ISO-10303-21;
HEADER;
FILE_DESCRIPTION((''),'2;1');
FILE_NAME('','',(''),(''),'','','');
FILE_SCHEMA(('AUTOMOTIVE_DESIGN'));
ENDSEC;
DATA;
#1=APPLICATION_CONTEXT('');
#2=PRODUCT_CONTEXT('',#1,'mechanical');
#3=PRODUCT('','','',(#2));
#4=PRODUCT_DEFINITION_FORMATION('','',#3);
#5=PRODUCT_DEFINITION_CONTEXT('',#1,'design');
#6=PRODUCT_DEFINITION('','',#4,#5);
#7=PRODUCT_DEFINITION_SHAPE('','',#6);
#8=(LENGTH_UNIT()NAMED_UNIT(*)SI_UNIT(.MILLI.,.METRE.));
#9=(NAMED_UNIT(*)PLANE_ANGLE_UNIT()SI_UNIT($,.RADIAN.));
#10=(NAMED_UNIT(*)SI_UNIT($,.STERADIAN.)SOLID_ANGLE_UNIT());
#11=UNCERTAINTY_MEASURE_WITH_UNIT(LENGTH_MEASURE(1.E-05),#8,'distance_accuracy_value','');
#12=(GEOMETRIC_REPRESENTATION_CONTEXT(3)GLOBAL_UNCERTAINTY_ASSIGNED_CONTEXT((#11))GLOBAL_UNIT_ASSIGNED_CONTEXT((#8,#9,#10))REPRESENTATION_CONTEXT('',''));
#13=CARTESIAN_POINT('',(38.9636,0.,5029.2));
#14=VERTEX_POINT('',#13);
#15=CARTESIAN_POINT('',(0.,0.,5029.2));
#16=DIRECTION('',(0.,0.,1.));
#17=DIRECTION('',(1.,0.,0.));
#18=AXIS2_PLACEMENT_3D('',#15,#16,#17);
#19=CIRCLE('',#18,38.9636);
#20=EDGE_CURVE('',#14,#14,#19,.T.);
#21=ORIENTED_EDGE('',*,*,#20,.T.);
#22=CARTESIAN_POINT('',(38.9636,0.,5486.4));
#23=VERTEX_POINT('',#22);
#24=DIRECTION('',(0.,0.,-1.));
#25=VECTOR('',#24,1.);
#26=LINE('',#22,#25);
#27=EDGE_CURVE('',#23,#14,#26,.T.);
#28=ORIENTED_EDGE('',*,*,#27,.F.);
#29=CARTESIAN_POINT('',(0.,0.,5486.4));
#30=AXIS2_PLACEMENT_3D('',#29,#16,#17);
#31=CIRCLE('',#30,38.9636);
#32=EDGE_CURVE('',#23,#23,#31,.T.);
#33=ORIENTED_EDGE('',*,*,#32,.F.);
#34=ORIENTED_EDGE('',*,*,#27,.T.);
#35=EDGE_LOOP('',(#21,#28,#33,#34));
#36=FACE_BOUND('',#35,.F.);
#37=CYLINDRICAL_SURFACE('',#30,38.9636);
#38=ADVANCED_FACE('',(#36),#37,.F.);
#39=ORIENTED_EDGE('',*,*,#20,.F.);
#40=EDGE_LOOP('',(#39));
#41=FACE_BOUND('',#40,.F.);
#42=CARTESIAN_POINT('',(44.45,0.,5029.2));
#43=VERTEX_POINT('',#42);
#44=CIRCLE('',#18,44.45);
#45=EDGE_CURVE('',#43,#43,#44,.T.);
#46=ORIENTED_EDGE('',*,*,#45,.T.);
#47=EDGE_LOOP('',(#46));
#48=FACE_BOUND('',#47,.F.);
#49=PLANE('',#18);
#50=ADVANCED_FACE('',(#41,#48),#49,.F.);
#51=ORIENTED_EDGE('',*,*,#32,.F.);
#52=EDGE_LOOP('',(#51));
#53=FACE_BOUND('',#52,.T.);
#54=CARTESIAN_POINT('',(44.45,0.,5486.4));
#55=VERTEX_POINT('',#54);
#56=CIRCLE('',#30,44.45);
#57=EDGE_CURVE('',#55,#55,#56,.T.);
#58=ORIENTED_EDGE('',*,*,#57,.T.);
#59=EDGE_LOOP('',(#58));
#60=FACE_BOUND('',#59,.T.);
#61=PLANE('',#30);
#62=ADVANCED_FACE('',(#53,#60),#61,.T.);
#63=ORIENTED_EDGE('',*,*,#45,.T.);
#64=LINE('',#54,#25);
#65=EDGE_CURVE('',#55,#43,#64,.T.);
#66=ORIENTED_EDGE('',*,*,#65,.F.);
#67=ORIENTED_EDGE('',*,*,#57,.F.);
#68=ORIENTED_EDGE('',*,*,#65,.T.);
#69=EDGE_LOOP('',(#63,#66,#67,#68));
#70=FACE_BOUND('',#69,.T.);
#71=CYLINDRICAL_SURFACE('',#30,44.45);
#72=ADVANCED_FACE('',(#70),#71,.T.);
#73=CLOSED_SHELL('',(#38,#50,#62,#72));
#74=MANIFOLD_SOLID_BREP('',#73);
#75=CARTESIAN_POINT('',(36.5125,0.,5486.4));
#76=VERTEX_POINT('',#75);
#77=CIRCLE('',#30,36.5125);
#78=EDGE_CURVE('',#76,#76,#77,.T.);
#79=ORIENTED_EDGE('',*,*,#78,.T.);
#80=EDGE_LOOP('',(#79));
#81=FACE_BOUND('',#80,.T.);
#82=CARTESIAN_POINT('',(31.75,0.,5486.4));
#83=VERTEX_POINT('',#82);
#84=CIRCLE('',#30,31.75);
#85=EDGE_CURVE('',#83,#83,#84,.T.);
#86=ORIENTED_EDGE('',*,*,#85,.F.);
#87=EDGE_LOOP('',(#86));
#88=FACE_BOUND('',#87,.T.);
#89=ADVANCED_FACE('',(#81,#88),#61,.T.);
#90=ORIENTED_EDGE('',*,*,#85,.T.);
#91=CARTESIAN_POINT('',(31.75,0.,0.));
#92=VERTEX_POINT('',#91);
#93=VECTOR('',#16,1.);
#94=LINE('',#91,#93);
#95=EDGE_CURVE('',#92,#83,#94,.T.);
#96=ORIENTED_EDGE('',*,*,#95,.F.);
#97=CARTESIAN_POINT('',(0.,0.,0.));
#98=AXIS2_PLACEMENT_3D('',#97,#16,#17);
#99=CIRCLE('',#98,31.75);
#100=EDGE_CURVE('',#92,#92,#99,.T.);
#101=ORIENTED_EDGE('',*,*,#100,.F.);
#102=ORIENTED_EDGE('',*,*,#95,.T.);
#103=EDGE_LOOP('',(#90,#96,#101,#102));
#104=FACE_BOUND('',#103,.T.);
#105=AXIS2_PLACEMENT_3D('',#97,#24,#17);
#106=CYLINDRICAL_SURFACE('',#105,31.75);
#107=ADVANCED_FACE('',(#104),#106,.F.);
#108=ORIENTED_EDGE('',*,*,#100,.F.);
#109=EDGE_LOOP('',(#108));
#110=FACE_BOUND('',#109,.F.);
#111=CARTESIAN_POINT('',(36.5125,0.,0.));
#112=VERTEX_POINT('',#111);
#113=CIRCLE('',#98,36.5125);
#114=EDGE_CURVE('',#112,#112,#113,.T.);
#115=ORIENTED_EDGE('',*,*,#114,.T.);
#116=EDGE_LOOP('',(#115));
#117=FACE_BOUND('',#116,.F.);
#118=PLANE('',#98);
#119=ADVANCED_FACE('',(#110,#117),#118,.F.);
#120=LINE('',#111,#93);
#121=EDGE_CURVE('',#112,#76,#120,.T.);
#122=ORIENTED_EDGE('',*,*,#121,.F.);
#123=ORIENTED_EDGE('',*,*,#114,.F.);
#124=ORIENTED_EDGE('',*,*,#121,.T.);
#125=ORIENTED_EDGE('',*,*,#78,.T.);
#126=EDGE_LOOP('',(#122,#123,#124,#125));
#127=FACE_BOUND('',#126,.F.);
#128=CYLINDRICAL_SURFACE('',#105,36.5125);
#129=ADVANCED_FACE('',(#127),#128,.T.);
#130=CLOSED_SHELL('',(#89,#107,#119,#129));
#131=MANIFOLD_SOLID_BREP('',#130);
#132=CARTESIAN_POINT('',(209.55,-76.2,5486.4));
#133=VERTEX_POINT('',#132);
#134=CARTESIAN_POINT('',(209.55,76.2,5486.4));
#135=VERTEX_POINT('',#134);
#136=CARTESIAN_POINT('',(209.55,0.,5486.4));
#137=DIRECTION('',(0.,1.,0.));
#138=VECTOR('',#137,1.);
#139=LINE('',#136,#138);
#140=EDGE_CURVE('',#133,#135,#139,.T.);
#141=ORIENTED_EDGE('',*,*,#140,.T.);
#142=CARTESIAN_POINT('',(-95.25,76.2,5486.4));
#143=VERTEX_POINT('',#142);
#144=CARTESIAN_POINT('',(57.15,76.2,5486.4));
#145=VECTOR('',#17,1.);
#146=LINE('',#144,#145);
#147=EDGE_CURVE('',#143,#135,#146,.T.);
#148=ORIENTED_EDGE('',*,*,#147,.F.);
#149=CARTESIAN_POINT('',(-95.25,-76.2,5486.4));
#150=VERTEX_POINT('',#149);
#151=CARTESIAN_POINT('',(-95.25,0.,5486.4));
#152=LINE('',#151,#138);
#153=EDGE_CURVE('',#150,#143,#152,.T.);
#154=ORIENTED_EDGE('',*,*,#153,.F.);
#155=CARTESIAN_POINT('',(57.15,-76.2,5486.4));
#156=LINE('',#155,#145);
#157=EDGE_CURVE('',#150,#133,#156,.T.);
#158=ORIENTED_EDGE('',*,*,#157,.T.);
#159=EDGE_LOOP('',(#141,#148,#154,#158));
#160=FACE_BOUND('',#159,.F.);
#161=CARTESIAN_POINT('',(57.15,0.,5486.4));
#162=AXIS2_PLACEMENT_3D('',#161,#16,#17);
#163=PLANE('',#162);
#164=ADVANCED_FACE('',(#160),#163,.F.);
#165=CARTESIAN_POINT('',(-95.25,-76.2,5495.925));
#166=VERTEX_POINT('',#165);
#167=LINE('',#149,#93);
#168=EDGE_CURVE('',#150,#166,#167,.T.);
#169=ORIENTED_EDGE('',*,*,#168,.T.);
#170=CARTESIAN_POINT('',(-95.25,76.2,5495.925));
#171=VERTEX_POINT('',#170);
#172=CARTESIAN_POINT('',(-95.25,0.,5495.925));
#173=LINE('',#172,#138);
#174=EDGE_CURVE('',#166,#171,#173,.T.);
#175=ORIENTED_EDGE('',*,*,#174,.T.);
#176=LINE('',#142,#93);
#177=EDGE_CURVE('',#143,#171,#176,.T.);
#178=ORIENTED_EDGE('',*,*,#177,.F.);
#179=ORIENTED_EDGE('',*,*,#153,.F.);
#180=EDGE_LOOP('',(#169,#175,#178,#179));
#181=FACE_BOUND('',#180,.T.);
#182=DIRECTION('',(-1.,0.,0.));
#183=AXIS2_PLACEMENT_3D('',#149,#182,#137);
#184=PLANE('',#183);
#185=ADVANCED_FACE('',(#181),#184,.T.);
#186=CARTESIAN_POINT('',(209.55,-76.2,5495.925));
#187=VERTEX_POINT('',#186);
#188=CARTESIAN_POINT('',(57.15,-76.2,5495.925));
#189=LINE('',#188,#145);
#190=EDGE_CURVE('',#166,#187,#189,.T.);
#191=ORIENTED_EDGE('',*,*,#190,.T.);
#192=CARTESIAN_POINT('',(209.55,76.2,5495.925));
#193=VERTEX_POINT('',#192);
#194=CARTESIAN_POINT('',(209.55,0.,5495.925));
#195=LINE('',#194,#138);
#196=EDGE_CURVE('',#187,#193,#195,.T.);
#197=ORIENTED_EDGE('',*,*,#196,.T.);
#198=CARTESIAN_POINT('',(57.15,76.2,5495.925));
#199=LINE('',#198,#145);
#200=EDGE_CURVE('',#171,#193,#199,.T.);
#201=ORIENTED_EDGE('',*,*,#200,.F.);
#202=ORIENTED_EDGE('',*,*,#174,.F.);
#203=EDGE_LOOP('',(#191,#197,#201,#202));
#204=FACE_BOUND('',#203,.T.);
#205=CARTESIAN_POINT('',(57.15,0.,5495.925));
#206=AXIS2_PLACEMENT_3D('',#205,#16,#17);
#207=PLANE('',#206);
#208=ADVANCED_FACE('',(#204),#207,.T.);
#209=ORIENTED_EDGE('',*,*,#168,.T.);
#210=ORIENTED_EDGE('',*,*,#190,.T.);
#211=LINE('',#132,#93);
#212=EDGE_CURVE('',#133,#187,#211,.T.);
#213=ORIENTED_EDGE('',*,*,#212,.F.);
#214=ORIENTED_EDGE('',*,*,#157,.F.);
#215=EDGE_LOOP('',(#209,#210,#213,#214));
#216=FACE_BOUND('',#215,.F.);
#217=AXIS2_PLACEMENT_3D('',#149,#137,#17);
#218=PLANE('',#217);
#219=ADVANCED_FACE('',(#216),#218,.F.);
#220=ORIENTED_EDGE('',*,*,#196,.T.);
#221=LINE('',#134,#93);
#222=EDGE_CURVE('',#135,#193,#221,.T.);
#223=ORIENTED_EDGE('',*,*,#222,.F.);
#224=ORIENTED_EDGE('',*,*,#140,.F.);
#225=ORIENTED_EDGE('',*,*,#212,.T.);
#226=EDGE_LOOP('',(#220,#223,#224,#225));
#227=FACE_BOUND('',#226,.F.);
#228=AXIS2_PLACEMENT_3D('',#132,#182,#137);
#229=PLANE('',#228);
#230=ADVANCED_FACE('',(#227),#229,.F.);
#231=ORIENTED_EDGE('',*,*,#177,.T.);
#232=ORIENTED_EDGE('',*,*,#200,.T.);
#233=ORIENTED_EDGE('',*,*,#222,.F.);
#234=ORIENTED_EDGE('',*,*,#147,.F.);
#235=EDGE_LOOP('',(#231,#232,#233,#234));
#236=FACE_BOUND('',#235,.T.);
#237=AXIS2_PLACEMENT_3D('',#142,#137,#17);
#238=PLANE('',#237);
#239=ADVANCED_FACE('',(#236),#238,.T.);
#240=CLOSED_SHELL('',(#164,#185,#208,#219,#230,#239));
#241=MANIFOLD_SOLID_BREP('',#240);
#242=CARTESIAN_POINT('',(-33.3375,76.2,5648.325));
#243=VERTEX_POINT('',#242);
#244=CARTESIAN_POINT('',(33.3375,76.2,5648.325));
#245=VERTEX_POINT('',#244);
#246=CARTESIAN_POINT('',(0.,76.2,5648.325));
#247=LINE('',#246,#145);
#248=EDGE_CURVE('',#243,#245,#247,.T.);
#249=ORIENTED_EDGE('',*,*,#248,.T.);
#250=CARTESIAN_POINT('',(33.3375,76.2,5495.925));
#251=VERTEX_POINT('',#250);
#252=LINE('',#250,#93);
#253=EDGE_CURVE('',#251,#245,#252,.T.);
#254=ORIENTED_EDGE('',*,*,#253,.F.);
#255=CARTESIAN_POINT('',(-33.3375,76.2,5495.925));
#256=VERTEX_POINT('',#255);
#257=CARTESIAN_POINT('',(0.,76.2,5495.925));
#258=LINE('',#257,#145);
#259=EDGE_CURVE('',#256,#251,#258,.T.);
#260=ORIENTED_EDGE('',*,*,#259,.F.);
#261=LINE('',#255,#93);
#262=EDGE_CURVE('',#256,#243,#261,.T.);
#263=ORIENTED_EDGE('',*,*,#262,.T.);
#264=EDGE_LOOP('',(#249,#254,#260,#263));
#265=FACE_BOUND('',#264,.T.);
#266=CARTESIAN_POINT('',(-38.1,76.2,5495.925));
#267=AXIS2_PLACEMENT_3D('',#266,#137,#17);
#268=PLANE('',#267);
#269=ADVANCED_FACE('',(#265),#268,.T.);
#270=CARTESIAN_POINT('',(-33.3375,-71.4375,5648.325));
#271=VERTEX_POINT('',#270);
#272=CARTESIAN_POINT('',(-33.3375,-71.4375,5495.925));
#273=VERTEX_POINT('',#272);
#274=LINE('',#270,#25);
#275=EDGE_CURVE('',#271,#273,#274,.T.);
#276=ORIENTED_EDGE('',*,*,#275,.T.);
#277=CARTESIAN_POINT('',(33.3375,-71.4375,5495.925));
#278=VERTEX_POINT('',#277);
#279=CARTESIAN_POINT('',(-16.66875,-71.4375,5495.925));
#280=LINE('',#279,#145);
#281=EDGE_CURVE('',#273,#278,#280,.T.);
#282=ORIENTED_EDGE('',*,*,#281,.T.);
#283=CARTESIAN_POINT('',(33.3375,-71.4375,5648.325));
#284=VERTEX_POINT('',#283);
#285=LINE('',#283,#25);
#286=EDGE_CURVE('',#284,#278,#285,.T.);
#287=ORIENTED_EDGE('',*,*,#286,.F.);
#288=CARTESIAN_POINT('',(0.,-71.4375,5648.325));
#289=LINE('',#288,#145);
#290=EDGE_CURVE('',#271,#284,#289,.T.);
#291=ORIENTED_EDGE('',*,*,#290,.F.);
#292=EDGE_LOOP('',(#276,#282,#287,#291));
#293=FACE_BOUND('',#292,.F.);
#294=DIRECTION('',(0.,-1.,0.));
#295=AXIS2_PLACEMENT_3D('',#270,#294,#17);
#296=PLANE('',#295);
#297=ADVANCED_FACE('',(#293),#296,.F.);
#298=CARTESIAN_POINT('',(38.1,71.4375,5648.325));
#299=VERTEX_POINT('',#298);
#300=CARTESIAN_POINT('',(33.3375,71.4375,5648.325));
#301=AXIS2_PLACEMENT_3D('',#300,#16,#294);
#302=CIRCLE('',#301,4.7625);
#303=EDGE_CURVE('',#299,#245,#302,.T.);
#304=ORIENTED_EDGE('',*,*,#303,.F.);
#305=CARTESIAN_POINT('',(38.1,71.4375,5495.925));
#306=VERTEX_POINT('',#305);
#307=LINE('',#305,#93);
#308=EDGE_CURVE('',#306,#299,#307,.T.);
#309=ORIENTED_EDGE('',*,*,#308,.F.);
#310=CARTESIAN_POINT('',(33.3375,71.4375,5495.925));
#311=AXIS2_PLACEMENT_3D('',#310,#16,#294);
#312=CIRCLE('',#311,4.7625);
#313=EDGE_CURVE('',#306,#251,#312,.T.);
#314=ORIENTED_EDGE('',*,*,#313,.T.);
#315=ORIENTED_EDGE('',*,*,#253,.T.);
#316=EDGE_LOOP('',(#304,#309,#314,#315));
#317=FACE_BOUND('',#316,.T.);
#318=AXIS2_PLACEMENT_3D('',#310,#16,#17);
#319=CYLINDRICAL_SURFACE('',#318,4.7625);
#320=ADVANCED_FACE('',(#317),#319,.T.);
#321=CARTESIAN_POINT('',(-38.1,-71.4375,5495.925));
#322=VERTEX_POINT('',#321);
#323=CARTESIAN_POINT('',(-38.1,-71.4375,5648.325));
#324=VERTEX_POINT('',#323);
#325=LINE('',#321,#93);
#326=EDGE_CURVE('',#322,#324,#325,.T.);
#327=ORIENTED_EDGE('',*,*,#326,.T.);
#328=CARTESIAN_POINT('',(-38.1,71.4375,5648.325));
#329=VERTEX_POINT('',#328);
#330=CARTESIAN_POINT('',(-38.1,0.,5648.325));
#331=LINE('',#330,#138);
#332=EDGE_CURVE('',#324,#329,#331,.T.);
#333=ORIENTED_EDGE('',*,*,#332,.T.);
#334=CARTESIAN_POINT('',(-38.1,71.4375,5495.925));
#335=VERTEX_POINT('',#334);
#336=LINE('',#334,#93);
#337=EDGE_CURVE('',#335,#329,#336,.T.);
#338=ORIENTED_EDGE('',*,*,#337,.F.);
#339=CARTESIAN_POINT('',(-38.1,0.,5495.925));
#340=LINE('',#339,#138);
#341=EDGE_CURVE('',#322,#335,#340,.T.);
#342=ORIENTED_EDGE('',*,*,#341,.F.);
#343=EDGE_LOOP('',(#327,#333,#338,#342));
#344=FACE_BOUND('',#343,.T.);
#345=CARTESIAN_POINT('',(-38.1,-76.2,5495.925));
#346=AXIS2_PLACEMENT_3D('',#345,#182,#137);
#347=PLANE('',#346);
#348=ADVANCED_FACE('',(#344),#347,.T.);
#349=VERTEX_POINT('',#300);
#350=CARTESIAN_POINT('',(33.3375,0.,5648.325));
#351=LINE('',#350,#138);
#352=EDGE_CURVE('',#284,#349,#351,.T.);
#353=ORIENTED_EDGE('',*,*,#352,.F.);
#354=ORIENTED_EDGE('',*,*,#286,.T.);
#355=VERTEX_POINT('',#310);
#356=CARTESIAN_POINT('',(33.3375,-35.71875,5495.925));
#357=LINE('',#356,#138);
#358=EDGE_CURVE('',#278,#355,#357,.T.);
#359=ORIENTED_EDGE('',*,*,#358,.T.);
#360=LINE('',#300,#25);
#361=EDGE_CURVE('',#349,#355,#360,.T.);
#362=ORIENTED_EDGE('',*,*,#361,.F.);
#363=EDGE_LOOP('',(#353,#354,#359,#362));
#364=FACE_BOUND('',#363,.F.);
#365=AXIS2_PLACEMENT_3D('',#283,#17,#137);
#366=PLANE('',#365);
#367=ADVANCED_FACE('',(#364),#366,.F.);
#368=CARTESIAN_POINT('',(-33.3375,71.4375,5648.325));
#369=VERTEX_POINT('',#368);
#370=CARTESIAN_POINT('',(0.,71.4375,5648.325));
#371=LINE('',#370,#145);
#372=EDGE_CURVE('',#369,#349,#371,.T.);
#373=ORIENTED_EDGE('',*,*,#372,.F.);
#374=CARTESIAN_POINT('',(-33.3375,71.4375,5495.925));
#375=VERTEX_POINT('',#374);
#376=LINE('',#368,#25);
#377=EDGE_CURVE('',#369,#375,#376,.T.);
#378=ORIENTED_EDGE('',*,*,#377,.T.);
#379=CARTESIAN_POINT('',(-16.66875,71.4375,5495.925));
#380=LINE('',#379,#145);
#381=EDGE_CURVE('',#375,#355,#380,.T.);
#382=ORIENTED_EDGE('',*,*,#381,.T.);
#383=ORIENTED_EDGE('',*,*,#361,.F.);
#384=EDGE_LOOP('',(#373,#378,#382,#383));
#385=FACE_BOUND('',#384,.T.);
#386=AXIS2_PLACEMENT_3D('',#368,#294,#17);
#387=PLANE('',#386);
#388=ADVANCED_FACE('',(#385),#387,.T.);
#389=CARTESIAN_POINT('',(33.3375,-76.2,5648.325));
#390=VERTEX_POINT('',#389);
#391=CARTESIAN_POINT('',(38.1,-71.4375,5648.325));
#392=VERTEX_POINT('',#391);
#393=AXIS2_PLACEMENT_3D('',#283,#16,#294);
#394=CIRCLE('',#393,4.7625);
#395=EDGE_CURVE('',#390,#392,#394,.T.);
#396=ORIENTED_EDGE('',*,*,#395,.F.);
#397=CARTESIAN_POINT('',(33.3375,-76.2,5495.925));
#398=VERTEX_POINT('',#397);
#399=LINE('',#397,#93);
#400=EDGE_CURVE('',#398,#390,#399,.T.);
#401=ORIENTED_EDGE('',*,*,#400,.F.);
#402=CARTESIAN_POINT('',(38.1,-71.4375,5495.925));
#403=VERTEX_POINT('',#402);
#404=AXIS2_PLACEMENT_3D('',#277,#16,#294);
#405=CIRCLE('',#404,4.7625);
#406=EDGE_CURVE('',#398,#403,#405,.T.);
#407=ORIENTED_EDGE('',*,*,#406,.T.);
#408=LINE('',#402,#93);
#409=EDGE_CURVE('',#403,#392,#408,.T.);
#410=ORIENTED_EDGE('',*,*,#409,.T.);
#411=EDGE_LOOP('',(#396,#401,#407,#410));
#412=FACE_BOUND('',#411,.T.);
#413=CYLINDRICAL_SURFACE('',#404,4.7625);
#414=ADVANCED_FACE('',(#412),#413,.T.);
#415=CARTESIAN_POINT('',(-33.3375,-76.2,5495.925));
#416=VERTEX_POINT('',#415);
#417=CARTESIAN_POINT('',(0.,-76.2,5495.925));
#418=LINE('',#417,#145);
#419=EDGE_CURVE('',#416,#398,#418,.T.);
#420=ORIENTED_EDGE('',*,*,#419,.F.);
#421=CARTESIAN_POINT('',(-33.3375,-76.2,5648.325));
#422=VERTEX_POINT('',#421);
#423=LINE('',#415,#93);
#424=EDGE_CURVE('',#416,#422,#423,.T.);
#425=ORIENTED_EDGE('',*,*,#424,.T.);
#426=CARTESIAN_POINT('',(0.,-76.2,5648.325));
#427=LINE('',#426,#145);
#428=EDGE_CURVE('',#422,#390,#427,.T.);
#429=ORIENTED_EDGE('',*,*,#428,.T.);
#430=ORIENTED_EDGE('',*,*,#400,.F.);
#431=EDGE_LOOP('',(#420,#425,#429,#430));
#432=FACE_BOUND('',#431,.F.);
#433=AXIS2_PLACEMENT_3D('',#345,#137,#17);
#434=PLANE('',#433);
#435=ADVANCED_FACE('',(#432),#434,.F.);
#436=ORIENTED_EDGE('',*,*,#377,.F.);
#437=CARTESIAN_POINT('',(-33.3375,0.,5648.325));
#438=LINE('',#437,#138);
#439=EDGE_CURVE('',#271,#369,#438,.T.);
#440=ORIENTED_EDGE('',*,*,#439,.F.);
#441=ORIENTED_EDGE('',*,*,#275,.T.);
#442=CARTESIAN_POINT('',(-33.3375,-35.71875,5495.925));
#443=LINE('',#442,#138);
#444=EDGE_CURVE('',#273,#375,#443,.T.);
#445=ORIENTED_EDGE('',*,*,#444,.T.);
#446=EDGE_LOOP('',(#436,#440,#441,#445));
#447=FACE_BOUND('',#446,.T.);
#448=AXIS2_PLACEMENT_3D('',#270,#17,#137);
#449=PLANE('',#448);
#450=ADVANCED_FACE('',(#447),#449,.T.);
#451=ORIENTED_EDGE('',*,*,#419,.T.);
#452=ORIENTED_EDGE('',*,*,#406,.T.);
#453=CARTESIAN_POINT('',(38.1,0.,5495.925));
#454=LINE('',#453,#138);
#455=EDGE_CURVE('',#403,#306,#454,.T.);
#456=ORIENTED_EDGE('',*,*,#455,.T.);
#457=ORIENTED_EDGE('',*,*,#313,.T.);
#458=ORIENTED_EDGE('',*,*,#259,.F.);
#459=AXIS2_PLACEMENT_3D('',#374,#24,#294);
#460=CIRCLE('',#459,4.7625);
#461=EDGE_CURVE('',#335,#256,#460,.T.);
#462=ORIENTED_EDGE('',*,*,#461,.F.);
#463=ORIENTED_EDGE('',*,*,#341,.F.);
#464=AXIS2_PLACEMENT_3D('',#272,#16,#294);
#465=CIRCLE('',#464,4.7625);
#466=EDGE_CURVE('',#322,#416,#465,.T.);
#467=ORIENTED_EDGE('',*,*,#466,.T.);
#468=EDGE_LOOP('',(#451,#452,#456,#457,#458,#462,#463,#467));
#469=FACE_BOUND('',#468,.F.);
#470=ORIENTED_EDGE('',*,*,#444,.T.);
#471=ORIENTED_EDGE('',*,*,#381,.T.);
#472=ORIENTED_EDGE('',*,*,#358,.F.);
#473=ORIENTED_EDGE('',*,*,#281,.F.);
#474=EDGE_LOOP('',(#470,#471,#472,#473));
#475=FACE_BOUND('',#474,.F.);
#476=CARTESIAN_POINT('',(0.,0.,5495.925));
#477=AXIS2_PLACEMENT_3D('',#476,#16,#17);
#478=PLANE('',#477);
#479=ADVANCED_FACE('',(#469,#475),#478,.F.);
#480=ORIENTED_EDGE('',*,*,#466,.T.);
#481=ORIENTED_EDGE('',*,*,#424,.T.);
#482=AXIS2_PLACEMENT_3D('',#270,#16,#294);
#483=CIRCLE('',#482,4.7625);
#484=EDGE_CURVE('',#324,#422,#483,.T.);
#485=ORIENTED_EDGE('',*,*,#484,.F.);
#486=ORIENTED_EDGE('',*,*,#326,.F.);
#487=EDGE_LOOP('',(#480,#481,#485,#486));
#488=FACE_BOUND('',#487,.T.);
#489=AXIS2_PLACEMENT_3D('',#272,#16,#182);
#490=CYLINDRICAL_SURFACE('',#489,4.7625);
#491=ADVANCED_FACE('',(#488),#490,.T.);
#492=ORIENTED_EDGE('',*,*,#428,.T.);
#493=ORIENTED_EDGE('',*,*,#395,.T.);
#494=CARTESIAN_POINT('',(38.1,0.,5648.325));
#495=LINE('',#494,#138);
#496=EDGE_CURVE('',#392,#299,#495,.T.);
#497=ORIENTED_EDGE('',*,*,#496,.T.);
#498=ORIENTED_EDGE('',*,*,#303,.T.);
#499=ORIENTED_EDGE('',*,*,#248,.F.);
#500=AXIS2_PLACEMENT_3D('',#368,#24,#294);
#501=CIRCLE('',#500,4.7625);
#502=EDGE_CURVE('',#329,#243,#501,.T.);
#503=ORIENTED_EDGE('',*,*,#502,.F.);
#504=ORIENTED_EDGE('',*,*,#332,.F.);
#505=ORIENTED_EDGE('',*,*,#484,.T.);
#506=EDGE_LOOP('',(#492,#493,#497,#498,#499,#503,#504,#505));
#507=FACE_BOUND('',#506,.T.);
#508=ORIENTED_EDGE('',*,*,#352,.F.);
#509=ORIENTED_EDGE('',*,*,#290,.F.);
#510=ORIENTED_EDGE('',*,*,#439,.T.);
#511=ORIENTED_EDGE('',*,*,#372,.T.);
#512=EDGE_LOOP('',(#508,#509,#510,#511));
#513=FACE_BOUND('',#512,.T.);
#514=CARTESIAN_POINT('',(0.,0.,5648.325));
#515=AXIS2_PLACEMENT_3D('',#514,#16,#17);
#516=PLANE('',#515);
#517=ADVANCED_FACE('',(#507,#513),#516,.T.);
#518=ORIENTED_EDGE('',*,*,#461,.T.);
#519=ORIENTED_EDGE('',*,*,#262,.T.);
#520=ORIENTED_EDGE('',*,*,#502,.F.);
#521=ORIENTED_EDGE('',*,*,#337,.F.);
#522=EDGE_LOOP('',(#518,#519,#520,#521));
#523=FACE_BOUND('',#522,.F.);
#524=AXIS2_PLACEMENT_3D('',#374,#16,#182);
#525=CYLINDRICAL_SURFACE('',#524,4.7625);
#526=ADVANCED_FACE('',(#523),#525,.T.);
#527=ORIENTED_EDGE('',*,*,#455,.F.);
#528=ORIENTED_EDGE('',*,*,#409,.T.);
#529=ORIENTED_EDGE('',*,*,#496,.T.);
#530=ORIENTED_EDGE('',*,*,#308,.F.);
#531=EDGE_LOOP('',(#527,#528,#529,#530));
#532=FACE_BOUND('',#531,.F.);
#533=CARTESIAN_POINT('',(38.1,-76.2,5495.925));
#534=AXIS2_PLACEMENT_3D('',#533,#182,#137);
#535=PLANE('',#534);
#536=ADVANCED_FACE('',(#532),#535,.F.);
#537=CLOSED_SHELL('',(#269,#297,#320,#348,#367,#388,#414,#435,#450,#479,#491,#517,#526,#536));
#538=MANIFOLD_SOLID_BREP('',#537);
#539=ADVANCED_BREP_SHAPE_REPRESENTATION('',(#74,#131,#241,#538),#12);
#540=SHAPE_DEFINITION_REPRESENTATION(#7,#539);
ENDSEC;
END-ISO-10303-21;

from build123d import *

# Parameters (mm, degrees)
F0_R      = 36.5125
F0_R_2    = 31.75
F1_DEPTH  = 5486.4
F2_R      = 44.45
F2_R_2    = 38.9636
F3_DEPTH  = 457.2
F4_W      = 304.8
F4_H      = 152.4
F5_DEPTH  = 9.525
F6_W      = 76.2
F6_H      = 152.4
F7_DEPTH  = 152.4
F8_R      = 4.7625
F9_W      = 66.675
F9_H      = 142.875
F10_DEPTH = 5648.326


with BuildPart() as f1:
    # F0 (on Top) → F1 (new body)
    with BuildSketch(Plane.XY):
        Circle(F0_R)
        Circle(F0_R_2, mode=Mode.SUBTRACT)
    extrude(amount=F1_DEPTH)


with BuildPart() as f3:
    # F2 (on face) → F3 (new body)
    with BuildSketch(Plane.XY.offset(5486.4)):
        Circle(F2_R)
        Circle(F2_R_2, mode=Mode.SUBTRACT)
    extrude(amount=-F3_DEPTH)


with BuildPart() as f5:
    # F4 (on face) → F5 (new body)
    with BuildSketch(Plane.XY.offset(5486.4)):
        with Locations((57.15, 0)):
            Rectangle(F4_W, F4_H)
    extrude(amount=F5_DEPTH)


with BuildPart() as f7:
    # F6 (on face) → F7 (new body)
    with BuildSketch(Plane.XY.offset(5495.925)):
        Rectangle(F6_W, F6_H)
    extrude(amount=F7_DEPTH)

    # F8
    f8_edges = [f7.edges().sort_by_distance(p)[0] for p in [
        (-38.1, -76.2, 5572.125),
        (38.1, -76.2, 5572.125),
        (-38.1, 76.2, 5572.125),
        (38.1, 76.2, 5572.125),
    ]]
    fillet(f8_edges, radius=F8_R)

    # F9 (on face) → F10 (cut, through all)
    with BuildSketch(Plane.XY.offset(5648.325)):
        Rectangle(F9_W, F9_H)
    extrude(amount=-F10_DEPTH, mode=Mode.SUBTRACT)


solid = Compound([f1.part, f3.part, f5.part, f7.part])
